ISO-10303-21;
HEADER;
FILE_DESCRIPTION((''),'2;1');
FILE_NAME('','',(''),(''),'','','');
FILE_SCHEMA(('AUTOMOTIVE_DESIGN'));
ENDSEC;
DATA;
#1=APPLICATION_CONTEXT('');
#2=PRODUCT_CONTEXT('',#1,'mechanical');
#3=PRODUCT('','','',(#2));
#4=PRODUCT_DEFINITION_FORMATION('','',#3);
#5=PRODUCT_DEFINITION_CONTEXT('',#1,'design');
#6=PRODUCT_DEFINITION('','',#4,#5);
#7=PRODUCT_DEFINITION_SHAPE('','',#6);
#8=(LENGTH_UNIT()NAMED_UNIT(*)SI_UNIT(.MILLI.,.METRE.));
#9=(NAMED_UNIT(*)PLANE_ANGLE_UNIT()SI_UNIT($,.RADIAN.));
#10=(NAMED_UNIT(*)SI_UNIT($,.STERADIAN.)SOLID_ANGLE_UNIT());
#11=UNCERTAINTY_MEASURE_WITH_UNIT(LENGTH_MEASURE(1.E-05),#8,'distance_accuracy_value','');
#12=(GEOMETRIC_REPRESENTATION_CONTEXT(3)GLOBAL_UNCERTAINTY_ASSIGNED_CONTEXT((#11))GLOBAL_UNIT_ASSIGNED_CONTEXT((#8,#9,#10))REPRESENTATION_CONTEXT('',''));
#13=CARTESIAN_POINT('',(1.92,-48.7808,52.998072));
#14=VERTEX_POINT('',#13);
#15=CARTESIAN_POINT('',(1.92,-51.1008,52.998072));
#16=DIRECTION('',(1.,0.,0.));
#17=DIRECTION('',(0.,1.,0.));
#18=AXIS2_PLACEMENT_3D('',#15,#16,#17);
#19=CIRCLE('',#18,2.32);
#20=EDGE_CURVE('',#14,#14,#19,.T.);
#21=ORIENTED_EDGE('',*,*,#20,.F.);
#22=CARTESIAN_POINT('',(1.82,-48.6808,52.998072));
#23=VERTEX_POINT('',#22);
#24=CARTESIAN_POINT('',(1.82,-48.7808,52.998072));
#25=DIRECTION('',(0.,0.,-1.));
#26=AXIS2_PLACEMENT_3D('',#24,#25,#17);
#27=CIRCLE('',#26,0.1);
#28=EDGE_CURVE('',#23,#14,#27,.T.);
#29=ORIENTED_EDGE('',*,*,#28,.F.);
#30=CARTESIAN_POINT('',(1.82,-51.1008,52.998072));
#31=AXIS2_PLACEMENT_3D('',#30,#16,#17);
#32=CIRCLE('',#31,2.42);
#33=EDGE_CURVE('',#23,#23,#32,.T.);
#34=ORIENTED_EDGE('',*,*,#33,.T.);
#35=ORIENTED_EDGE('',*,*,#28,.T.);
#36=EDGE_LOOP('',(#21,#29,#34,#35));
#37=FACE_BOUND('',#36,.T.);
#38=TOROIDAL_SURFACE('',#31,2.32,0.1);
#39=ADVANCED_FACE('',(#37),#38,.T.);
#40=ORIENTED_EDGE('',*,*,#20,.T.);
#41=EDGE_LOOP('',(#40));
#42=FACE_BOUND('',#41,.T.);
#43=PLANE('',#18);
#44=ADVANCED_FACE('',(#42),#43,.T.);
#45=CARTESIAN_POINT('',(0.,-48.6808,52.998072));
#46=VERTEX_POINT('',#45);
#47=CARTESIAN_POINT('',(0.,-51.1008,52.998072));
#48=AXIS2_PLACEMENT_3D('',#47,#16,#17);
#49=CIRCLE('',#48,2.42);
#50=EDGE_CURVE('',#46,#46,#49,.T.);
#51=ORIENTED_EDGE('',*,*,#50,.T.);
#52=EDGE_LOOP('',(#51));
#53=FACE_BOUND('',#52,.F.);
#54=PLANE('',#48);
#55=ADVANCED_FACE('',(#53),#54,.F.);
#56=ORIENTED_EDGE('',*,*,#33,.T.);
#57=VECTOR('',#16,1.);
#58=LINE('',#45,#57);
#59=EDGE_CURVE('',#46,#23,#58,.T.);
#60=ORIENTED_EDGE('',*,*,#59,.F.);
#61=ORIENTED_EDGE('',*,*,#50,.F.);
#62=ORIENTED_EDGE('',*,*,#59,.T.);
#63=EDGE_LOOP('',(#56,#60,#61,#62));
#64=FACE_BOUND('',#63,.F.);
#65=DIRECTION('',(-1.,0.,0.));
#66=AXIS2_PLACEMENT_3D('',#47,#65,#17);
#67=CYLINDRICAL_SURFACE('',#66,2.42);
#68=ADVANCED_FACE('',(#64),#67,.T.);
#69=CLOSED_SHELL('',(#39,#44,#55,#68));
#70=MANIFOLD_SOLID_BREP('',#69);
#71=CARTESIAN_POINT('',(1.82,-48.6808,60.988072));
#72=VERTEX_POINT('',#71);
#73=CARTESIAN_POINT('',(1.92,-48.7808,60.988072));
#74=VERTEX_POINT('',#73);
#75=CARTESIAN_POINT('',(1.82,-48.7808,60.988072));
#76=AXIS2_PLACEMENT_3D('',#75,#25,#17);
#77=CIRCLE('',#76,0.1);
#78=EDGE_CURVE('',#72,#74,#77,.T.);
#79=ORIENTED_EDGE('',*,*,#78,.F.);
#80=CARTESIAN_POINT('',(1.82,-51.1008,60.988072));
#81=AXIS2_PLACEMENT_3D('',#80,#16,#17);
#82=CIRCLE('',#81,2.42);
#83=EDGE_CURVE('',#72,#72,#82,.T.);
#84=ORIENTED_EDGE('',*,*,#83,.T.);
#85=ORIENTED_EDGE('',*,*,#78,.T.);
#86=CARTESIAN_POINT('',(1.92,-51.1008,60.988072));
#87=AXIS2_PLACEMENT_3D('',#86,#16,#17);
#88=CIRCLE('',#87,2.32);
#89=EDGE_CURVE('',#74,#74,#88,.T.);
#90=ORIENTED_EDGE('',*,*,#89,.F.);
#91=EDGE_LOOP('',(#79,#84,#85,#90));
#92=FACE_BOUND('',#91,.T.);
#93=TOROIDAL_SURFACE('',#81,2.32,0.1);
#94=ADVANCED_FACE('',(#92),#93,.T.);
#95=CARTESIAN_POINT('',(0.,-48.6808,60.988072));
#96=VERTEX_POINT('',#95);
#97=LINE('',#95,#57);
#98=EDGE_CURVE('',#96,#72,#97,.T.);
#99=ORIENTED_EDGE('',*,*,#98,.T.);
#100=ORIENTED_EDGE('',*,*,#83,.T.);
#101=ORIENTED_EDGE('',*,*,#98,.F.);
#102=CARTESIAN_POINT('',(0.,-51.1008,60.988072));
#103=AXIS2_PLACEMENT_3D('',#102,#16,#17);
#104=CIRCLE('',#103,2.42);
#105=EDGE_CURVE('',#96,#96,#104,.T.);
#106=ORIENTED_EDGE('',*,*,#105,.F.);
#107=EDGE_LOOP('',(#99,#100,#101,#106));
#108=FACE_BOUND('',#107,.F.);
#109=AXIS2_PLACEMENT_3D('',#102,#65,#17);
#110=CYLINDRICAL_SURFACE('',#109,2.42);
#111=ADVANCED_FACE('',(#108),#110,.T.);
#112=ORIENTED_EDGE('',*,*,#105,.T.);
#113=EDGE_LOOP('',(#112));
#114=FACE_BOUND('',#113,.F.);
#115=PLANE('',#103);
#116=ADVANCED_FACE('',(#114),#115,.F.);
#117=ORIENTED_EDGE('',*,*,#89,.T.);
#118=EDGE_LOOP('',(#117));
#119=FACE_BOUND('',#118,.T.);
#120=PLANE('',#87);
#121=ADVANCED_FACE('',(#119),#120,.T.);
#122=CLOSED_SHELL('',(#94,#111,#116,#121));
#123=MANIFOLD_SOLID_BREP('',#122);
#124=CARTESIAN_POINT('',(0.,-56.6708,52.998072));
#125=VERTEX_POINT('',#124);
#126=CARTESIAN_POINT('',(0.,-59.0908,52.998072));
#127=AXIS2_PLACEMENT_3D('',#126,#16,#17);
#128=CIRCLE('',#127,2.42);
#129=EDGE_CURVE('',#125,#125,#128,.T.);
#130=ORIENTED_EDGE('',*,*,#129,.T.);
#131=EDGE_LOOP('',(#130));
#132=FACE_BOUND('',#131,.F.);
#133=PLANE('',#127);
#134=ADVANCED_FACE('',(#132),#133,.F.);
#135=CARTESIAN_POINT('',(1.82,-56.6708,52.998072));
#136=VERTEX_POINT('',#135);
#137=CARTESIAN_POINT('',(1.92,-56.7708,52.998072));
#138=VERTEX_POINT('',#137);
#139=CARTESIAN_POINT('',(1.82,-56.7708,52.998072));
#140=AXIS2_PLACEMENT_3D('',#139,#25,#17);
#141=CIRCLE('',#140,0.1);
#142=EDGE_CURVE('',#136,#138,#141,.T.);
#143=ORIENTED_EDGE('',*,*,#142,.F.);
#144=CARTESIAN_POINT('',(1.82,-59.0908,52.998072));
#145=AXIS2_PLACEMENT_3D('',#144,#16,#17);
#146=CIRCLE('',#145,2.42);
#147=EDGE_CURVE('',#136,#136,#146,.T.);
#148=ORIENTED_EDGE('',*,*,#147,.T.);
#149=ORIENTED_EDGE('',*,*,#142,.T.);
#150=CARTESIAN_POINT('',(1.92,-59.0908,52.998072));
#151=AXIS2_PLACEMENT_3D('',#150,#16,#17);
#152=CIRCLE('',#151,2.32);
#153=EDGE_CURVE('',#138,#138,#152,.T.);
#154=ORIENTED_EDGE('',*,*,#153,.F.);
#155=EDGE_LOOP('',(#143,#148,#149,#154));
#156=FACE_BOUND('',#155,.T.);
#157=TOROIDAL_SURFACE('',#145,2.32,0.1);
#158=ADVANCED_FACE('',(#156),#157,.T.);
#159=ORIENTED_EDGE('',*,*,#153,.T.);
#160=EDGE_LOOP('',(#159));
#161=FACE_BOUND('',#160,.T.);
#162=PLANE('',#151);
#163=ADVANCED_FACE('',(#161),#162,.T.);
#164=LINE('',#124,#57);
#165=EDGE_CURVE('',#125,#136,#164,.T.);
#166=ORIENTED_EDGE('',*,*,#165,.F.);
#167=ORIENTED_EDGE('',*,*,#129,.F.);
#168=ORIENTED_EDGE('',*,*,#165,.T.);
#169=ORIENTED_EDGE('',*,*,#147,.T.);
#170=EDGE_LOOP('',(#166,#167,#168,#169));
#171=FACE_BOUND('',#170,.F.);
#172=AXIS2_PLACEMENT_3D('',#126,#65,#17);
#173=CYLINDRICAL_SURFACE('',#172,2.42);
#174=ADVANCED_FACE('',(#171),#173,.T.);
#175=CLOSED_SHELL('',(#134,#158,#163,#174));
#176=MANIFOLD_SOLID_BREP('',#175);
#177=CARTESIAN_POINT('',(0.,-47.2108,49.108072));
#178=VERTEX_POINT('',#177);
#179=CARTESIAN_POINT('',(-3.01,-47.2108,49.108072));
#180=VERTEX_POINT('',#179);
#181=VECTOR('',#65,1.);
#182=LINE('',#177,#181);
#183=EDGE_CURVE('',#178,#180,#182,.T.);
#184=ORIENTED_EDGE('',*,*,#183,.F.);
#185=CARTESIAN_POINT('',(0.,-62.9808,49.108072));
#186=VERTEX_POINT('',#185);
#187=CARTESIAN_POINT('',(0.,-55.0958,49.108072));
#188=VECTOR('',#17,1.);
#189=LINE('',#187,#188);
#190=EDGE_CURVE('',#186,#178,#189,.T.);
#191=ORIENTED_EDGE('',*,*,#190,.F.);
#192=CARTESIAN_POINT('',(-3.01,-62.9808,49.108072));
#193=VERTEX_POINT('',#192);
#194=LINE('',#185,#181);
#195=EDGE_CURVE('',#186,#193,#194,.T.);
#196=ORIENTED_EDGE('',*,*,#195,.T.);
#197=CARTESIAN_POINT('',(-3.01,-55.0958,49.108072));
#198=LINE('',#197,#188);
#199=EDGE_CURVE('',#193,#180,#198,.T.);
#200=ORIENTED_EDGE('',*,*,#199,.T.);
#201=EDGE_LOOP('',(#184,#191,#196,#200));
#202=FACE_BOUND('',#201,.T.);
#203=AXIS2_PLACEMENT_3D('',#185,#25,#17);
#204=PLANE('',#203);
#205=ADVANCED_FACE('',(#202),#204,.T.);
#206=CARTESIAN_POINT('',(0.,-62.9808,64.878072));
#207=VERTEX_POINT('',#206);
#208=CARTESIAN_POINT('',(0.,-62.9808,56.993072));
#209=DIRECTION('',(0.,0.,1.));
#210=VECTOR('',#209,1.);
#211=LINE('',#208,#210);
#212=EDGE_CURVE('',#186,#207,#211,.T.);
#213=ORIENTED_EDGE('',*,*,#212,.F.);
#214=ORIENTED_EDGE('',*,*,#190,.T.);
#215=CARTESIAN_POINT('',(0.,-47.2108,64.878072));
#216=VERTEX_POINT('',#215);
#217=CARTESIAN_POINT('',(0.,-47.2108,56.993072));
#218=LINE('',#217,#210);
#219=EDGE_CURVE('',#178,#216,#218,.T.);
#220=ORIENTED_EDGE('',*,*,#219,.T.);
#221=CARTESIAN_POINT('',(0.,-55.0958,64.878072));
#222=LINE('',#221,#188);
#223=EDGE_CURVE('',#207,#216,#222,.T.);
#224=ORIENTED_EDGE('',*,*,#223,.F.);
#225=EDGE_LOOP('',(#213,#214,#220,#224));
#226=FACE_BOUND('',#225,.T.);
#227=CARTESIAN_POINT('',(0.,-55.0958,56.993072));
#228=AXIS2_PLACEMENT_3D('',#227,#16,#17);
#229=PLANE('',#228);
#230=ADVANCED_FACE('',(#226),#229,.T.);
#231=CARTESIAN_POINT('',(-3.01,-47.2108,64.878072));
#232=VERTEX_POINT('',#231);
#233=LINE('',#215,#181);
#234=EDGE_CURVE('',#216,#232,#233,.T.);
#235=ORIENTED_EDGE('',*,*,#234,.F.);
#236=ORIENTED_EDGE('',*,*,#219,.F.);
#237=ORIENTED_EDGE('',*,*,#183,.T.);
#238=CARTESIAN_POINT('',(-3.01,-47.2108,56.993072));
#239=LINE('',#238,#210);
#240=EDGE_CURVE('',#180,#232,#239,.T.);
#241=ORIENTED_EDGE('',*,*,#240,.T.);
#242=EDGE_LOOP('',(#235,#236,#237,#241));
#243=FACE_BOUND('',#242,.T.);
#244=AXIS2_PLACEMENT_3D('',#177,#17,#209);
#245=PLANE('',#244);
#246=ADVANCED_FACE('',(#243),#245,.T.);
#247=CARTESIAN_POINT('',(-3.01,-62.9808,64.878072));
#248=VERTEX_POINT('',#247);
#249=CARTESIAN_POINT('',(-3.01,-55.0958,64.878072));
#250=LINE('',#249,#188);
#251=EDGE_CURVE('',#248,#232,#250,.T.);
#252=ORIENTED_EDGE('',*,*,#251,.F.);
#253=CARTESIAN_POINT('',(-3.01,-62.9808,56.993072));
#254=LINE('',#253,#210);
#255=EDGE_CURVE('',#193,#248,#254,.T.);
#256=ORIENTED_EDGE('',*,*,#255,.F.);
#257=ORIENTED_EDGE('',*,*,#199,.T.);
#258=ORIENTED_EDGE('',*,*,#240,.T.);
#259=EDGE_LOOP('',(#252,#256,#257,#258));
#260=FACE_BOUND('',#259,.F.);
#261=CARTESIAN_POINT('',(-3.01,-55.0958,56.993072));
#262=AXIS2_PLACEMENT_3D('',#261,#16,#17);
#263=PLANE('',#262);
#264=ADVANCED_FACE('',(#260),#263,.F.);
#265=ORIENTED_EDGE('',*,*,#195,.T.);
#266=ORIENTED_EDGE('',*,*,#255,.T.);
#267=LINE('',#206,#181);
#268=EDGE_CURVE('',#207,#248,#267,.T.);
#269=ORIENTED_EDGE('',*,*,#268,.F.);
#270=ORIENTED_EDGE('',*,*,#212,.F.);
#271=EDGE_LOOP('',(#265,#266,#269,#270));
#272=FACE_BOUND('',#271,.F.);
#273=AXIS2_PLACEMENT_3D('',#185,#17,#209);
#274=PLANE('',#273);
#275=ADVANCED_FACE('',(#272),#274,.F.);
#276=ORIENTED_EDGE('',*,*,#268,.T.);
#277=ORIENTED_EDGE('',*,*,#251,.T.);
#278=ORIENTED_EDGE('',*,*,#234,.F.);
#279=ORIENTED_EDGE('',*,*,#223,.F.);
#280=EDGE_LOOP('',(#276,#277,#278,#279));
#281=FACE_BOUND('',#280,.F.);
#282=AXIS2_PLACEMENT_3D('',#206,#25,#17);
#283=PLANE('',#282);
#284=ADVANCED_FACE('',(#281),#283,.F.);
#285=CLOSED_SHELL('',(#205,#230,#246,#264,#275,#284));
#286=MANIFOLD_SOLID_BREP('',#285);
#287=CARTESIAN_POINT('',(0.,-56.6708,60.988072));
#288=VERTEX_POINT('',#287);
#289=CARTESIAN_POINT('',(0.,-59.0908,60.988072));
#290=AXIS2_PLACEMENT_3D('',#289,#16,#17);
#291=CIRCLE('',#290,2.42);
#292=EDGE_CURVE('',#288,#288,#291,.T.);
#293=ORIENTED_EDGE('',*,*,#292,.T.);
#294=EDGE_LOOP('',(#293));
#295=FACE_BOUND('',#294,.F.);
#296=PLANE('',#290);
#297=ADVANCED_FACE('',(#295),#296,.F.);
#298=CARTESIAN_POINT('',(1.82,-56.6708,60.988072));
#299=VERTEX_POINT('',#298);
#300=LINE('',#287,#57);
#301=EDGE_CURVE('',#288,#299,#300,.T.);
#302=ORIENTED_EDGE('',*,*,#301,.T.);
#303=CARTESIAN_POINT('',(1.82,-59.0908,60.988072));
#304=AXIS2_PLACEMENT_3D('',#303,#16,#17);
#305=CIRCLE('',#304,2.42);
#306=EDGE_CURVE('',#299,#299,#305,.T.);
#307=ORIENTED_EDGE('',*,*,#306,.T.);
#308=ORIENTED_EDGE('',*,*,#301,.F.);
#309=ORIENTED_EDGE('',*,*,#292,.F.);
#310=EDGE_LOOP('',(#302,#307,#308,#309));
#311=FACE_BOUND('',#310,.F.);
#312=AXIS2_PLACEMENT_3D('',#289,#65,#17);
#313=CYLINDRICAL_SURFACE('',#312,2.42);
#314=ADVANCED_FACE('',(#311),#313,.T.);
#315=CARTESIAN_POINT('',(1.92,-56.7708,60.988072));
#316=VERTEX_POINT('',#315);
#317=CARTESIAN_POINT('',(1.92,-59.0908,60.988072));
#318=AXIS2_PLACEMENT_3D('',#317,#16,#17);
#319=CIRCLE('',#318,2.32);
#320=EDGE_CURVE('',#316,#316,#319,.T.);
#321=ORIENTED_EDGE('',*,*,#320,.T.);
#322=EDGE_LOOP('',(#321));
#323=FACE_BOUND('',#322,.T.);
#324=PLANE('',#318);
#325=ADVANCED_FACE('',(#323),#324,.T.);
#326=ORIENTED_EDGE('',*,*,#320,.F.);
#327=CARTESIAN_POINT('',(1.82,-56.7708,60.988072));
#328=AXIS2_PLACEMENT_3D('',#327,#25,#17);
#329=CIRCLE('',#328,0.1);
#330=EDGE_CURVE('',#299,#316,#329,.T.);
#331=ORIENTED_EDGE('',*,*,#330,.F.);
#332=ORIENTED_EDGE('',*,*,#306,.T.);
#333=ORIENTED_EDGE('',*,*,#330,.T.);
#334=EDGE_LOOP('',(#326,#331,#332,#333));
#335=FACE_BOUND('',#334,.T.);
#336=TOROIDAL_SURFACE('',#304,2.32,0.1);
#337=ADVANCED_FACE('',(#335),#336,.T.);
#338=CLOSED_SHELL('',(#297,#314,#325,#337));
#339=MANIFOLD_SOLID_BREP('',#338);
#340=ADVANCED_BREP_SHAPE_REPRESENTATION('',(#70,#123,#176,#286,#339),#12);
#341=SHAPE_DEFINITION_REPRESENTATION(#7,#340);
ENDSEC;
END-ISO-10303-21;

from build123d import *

# Parameters (mm, degrees)
F0_R     = 2.42
F1_DEPTH = 1.92
F0_W     = 15.77
F0_H     = 15.77
F2_DEPTH = 3.01
F3_R     = 0.1
F3_2_R   = 0.1
F3_3_R   = 0.1
F3_4_R   = 0.1


with BuildPart() as f1:
    # F0 (on Right) → F1 (new body)
    with BuildSketch(Plane.YZ):
        with Locations((-59.0907996492, 60.9880724129)):
            Circle(F0_R)
    extrude(amount=F1_DEPTH)

    # F3#2
    f3_2_edges = [f1.edges().sort_by_distance(p)[0] for p in [
        (1.92, -61.5108, 60.988072),
    ]]
    fillet(f3_2_edges, radius=F3_2_R)


with BuildPart() as f1b:
    # F0 (on Right) → F1, piece 2 (new body)
    with BuildSketch(Plane.YZ):
        with Locations((-51.1007996492, 60.9880724129)):
            Circle(F0_R)
    extrude(amount=F1_DEPTH)

    # F3
    f3_edges = [f1b.edges().sort_by_distance(p)[0] for p in [
        (1.92, -53.5208, 60.988072),
    ]]
    fillet(f3_edges, radius=F3_R)


with BuildPart() as f1c:
    # F0 (on Right) → F1, piece 3 (new body)
    with BuildSketch(Plane.YZ):
        with Locations((-59.0907996492, 52.9980724129)):
            Circle(F0_R)
    extrude(amount=F1_DEPTH)

    # F3#3
    f3_3_edges = [f1c.edges().sort_by_distance(p)[0] for p in [
        (1.92, -61.5108, 52.998072),
    ]]
    fillet(f3_3_edges, radius=F3_3_R)


with BuildPart() as f1d:
    # F0 (on Right) → F1, piece 4 (new body)
    with BuildSketch(Plane.YZ):
        with Locations((-51.1007996492, 52.9980724129)):
            Circle(F0_R)
    extrude(amount=F1_DEPTH)

    # F3#4
    f3_4_edges = [f1d.edges().sort_by_distance(p)[0] for p in [
        (1.92, -53.5208, 52.998072),
    ]]
    fillet(f3_4_edges, radius=F3_4_R)


with BuildPart() as f2:
    # F0 (on Right) → F2 (new body)
    with BuildSketch(Plane.YZ):
        with Locations((-55.0957996492, 56.9930724129)):
            Rectangle(F0_W, F0_H)
        with Locations((-59.0907996492, 52.9980724129)):
            Circle(F0_R, mode=Mode.SUBTRACT)
        with Locations((-51.1007996492, 52.9980724129)):
            Circle(F0_R, mode=Mode.SUBTRACT)
        with Locations((-59.0907996492, 60.9880724129)):
            Circle(F0_R, mode=Mode.SUBTRACT)
        with Locations((-51.1007996492, 60.9880724129)):
            Circle(F0_R, mode=Mode.SUBTRACT)
        with Locations((-59.0907996492, 60.9880724129)):
            Circle(F0_R)
        with Locations((-51.1007996492, 60.9880724129)):
            Circle(F0_R)
        with Locations((-51.1007996492, 52.9980724129)):
            Circle(F0_R)
        with Locations((-59.0907996492, 52.9980724129)):
            Circle(F0_R)
    extrude(amount=-F2_DEPTH)


solid = Compound([f1.part, f1b.part, f1c.part, f1d.part, f2.part])
